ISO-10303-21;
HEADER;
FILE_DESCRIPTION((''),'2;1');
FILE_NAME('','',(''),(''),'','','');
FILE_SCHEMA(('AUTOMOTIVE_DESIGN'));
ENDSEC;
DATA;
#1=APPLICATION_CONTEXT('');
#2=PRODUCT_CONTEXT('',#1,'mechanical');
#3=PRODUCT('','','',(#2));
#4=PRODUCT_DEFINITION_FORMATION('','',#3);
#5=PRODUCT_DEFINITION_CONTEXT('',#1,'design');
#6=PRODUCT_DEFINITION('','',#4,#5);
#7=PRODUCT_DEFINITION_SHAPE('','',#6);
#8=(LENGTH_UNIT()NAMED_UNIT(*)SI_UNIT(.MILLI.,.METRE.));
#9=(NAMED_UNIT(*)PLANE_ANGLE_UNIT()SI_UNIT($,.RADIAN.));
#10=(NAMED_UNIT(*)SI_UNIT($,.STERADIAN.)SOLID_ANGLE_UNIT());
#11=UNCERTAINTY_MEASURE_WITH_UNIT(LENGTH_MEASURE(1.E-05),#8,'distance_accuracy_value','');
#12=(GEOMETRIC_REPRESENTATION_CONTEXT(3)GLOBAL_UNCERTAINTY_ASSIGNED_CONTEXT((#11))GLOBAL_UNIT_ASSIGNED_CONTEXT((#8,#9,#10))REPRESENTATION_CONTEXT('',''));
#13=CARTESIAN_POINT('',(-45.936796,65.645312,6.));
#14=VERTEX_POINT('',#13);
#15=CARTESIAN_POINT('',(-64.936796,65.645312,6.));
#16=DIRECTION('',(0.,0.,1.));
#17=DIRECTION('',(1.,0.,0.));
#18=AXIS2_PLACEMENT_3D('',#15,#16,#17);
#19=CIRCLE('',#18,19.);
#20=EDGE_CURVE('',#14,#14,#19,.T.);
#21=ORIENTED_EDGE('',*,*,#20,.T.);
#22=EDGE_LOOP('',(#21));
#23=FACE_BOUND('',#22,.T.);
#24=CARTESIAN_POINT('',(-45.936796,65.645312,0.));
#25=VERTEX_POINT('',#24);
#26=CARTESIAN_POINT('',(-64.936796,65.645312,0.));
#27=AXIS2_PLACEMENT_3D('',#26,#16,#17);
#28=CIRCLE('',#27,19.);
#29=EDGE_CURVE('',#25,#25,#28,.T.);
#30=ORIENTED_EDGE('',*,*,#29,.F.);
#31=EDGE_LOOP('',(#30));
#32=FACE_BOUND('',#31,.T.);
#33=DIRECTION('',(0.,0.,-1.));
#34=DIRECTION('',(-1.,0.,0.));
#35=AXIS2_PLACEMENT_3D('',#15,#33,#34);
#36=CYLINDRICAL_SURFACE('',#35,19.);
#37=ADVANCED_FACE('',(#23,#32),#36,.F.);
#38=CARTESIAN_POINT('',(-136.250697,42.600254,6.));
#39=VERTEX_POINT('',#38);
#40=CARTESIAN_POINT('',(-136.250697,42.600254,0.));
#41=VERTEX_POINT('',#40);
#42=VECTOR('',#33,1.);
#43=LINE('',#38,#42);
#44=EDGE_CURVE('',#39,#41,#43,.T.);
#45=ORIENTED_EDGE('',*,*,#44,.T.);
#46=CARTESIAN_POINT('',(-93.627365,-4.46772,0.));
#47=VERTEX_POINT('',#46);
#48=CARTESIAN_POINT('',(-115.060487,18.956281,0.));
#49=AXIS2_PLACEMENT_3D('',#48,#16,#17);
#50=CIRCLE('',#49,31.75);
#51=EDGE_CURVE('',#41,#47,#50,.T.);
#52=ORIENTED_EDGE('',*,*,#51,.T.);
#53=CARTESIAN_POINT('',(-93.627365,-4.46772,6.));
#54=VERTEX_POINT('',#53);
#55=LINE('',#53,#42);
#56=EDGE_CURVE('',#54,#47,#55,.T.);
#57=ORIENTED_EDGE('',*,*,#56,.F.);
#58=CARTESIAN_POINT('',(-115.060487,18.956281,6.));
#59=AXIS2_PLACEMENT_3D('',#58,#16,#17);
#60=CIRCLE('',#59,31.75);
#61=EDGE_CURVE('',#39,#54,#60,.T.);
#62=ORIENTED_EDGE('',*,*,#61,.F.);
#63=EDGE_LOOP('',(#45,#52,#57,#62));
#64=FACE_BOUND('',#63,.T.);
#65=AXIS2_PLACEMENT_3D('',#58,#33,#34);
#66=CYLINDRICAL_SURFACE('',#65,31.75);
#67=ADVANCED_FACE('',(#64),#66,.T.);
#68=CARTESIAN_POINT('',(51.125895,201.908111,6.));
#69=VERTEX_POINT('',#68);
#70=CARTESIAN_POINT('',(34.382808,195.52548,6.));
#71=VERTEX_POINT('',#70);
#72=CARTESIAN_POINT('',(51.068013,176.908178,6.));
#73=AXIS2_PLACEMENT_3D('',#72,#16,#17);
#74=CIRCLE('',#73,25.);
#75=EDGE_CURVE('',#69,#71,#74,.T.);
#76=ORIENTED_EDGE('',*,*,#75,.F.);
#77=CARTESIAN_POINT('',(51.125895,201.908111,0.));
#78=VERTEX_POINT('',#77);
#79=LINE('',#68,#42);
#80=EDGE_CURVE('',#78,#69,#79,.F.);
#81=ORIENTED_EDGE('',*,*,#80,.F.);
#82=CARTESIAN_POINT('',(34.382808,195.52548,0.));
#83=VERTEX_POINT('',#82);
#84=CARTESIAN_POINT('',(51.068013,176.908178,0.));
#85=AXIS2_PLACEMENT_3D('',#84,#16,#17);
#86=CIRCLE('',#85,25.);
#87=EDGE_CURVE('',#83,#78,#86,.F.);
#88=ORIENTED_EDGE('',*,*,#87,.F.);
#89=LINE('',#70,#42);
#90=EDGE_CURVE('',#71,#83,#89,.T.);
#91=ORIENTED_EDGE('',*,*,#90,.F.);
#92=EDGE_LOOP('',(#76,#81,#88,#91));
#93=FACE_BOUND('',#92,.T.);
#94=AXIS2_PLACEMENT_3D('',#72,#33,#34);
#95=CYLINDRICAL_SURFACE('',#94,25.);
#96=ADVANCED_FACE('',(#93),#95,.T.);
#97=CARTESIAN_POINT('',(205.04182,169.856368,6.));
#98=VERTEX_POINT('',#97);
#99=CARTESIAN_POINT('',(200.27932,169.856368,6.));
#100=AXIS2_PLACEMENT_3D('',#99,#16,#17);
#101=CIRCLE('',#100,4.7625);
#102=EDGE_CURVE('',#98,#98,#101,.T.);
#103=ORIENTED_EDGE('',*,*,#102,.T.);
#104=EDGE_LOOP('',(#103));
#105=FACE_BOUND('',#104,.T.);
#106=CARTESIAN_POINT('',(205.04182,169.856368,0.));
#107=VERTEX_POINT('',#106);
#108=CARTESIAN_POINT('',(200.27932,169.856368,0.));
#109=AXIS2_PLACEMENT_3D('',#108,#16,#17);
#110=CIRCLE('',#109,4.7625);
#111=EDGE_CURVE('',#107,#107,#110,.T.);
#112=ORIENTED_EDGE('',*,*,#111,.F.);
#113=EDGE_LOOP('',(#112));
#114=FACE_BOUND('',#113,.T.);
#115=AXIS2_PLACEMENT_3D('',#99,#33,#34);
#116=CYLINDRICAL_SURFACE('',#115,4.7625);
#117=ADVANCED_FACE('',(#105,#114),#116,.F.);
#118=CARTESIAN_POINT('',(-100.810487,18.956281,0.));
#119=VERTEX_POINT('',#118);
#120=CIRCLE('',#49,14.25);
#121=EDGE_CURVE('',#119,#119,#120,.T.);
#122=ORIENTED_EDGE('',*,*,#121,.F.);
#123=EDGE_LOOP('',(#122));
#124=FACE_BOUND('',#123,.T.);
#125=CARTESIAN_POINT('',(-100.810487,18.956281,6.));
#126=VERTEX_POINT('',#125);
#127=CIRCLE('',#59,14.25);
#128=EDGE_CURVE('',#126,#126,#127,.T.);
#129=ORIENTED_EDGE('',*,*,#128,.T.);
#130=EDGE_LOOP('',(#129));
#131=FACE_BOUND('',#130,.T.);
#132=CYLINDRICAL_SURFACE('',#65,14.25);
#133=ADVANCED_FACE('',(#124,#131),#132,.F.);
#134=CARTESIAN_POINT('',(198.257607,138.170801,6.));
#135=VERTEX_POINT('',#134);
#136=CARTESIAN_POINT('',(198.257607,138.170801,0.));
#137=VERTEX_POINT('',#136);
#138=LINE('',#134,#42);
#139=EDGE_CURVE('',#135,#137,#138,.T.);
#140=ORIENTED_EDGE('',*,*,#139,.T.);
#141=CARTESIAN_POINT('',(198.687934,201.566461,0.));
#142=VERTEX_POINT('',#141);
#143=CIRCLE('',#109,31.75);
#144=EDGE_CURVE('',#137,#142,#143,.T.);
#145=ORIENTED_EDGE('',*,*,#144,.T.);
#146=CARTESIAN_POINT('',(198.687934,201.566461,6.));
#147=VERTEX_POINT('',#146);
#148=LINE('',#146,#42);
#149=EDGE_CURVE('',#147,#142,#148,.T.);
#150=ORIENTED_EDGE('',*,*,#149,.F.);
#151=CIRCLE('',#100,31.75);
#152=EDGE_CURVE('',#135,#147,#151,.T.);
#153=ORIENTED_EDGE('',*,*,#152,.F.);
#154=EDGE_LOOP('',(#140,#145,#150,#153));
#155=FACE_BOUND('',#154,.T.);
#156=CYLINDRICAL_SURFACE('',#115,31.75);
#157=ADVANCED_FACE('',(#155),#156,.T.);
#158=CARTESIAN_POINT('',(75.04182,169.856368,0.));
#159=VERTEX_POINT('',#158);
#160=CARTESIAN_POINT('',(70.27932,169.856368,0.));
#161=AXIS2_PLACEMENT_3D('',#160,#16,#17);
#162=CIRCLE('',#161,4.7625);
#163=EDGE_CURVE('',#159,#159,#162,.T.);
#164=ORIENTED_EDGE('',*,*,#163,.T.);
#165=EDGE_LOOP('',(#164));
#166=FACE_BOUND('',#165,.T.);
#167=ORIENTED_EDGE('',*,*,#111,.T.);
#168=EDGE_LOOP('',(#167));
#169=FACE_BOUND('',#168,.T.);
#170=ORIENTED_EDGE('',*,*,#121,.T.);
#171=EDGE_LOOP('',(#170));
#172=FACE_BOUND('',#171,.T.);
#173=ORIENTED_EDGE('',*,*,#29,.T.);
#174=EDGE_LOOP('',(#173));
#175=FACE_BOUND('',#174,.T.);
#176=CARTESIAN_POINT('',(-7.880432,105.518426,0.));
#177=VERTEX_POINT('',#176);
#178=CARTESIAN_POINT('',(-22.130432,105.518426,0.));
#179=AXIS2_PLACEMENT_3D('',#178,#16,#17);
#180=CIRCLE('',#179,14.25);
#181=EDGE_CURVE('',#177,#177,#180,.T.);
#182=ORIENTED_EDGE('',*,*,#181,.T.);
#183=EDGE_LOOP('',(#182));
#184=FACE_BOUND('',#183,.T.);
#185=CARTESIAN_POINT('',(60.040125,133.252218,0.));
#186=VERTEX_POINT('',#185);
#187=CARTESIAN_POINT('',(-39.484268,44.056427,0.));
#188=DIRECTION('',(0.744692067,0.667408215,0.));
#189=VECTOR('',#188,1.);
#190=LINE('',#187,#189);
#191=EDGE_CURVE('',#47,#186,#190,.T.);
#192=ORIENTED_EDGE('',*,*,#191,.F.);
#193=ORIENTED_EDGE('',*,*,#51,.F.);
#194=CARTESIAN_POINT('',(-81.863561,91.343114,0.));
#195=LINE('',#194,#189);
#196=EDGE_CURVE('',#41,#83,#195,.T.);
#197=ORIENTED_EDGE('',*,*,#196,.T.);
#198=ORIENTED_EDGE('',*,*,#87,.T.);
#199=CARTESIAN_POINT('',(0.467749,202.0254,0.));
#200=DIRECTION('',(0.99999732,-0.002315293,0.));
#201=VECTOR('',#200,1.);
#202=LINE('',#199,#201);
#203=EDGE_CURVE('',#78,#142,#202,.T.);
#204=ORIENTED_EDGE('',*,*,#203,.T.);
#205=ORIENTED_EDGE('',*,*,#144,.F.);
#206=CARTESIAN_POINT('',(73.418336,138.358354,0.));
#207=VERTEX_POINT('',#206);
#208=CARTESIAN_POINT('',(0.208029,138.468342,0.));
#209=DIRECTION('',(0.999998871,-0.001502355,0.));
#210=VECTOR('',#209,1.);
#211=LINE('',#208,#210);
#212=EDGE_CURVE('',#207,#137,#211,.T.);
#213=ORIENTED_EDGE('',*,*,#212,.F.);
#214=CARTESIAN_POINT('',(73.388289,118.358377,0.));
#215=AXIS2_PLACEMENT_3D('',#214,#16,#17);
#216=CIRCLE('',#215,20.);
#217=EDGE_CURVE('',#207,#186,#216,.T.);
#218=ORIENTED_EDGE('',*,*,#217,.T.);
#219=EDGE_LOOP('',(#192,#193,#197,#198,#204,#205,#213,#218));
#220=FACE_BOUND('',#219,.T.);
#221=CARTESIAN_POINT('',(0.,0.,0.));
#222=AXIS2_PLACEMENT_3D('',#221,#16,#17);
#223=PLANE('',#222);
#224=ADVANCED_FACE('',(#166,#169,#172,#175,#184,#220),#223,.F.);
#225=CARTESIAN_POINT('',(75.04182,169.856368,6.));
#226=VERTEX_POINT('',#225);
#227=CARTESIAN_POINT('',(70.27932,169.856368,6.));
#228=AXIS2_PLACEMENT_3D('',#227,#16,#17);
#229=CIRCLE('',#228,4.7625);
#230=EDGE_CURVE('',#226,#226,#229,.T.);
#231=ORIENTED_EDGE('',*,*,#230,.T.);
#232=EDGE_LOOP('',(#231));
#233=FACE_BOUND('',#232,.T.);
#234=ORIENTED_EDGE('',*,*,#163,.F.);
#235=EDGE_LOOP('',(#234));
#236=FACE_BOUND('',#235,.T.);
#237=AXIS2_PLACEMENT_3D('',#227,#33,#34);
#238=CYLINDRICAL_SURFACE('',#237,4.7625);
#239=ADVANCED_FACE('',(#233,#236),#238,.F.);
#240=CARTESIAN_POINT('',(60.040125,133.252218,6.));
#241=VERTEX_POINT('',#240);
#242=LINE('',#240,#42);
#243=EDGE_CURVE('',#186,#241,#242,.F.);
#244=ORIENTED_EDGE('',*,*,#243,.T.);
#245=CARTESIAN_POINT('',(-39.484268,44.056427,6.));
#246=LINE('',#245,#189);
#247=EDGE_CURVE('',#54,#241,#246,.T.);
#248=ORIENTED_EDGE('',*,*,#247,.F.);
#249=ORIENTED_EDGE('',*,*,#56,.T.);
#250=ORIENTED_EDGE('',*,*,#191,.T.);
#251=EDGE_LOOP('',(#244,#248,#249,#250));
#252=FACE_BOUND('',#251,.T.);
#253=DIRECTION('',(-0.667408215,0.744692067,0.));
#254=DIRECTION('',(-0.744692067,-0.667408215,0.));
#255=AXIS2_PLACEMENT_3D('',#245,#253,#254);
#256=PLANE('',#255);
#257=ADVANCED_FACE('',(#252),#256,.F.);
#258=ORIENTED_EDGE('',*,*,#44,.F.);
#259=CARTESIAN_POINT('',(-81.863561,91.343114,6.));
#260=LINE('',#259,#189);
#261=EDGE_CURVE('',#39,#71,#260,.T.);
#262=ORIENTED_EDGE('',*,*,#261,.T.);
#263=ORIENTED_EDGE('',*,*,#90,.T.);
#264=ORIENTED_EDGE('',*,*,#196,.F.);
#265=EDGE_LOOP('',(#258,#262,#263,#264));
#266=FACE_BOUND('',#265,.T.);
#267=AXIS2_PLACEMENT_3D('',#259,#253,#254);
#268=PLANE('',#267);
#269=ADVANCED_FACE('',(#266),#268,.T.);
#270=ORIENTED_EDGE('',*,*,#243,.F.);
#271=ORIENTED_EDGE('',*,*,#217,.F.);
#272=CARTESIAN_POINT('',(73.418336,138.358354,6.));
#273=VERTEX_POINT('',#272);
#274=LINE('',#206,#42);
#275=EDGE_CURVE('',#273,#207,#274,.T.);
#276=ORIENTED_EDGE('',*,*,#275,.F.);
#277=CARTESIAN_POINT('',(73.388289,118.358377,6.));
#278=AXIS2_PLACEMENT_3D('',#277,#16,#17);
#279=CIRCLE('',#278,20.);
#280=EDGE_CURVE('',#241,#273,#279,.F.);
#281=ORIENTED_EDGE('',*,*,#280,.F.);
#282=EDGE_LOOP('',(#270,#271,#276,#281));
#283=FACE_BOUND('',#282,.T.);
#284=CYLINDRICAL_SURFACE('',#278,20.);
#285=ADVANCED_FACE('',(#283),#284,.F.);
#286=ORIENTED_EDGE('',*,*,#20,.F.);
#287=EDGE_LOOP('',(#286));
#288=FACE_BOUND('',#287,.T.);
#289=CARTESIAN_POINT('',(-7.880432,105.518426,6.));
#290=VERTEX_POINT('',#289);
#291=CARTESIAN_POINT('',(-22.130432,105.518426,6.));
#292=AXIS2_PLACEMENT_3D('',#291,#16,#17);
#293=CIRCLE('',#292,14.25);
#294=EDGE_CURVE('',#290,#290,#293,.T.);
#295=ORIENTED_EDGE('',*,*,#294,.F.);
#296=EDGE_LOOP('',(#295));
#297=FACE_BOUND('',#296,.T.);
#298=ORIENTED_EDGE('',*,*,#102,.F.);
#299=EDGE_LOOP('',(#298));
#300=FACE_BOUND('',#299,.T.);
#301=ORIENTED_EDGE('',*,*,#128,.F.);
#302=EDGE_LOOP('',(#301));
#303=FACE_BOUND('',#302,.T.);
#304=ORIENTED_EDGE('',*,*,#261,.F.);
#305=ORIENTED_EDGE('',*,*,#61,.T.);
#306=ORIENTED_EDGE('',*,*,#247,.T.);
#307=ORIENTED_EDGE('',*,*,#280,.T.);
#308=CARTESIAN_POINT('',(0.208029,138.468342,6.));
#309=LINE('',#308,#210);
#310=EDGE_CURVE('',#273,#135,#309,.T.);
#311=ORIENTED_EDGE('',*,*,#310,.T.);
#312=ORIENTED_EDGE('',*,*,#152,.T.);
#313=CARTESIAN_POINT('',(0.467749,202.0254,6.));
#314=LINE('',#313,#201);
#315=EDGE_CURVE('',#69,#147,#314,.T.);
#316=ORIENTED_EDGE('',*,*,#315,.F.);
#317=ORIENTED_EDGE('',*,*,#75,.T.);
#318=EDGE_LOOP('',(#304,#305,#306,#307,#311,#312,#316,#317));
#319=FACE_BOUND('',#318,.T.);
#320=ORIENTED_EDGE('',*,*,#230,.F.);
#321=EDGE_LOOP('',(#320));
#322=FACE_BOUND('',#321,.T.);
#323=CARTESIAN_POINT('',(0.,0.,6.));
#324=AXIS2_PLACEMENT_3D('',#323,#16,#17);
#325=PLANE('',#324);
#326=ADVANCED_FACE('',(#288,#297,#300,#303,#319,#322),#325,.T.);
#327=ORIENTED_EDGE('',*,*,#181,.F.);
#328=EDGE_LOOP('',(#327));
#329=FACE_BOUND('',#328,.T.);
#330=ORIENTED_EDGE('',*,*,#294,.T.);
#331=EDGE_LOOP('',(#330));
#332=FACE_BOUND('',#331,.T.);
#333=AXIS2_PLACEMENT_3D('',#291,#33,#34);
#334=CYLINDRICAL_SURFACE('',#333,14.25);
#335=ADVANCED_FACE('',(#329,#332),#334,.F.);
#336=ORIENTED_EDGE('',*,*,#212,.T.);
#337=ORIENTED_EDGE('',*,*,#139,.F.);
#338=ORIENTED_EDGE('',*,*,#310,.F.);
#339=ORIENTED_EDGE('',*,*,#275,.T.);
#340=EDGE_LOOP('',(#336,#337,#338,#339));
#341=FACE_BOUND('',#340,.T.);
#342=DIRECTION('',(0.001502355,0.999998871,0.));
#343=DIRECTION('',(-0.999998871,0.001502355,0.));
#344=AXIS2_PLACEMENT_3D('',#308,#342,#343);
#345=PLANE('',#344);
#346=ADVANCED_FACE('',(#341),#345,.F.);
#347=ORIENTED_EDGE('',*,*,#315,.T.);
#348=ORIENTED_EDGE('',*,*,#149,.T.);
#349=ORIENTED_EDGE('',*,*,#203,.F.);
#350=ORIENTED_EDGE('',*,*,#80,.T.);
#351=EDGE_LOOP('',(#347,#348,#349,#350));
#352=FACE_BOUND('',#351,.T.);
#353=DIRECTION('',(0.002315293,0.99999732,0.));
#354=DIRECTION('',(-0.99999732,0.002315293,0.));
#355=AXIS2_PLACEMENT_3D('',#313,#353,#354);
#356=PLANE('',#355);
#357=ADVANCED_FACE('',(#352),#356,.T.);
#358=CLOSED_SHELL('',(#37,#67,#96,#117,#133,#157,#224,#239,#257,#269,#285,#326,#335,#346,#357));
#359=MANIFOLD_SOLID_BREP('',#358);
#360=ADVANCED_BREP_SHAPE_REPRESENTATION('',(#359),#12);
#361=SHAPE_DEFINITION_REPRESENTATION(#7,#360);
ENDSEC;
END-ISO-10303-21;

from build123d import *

# Parameters (mm, degrees)
CROQUIS1_R              = 14.25
CROQUIS1_R_2            = 4.7625
CROQUIS1_R_3            = 19
SALIENTE_EXTRUIR1_DEPTH = 6
REDONDEO1_R             = 25
REDONDEO2_R             = 19.999999878


with BuildPart() as part:
    # Croquis1 → Saliente-Extruir1 (new body)
    with BuildSketch(Plane.XY):
        with BuildLine():
            Line((41.52932014, 201.930330406), (198.68793394, 201.566461221))
            ThreePointArc((198.68793394, 201.566461221), (232.028588704, 169.640855787), (198.25760714, 138.170801026))
            Line((198.25760714, 138.170801026), (65.750390297, 138.369874115))
            Line((65.750390297, 138.369874115), (-93.627365444, -4.467720371))
            ThreePointArc((-93.627365444, -4.467720371), (-138.59478698, -2.355669211), (-136.250697374, 42.600253688))
            Line((-136.250697374, 42.600253688), (41.52932014, 201.930330406))
        make_face()
        with Locations((-115.060486547, 18.956280563)):
            Circle(CROQUIS1_R, mode=Mode.SUBTRACT)
        with Locations((-22.130431971, 105.518425617)):
            Circle(CROQUIS1_R, mode=Mode.SUBTRACT)
        with Locations((200.27932014, 169.856368349)):
            Circle(CROQUIS1_R_2, mode=Mode.SUBTRACT)
        with Locations((70.27932014, 169.856368349)):
            Circle(CROQUIS1_R_2, mode=Mode.SUBTRACT)
        with Locations((-64.936795693, 65.645311557)):
            Circle(CROQUIS1_R_3, mode=Mode.SUBTRACT)
    extrude(amount=SALIENTE_EXTRUIR1_DEPTH)

    # Redondeo1
    redondeo1_edges = [part.edges().sort_by_distance(p)[0] for p in [
        (41.52932014, 201.930330406, 3),
    ]]
    fillet(redondeo1_edges, radius=REDONDEO1_R)

    # Redondeo2
    redondeo2_edges = [part.edges().sort_by_distance(p)[0] for p in [
        (65.750390297, 138.369874115, 3),
    ]]
    fillet(redondeo2_edges, radius=REDONDEO2_R)


solid = part.part
